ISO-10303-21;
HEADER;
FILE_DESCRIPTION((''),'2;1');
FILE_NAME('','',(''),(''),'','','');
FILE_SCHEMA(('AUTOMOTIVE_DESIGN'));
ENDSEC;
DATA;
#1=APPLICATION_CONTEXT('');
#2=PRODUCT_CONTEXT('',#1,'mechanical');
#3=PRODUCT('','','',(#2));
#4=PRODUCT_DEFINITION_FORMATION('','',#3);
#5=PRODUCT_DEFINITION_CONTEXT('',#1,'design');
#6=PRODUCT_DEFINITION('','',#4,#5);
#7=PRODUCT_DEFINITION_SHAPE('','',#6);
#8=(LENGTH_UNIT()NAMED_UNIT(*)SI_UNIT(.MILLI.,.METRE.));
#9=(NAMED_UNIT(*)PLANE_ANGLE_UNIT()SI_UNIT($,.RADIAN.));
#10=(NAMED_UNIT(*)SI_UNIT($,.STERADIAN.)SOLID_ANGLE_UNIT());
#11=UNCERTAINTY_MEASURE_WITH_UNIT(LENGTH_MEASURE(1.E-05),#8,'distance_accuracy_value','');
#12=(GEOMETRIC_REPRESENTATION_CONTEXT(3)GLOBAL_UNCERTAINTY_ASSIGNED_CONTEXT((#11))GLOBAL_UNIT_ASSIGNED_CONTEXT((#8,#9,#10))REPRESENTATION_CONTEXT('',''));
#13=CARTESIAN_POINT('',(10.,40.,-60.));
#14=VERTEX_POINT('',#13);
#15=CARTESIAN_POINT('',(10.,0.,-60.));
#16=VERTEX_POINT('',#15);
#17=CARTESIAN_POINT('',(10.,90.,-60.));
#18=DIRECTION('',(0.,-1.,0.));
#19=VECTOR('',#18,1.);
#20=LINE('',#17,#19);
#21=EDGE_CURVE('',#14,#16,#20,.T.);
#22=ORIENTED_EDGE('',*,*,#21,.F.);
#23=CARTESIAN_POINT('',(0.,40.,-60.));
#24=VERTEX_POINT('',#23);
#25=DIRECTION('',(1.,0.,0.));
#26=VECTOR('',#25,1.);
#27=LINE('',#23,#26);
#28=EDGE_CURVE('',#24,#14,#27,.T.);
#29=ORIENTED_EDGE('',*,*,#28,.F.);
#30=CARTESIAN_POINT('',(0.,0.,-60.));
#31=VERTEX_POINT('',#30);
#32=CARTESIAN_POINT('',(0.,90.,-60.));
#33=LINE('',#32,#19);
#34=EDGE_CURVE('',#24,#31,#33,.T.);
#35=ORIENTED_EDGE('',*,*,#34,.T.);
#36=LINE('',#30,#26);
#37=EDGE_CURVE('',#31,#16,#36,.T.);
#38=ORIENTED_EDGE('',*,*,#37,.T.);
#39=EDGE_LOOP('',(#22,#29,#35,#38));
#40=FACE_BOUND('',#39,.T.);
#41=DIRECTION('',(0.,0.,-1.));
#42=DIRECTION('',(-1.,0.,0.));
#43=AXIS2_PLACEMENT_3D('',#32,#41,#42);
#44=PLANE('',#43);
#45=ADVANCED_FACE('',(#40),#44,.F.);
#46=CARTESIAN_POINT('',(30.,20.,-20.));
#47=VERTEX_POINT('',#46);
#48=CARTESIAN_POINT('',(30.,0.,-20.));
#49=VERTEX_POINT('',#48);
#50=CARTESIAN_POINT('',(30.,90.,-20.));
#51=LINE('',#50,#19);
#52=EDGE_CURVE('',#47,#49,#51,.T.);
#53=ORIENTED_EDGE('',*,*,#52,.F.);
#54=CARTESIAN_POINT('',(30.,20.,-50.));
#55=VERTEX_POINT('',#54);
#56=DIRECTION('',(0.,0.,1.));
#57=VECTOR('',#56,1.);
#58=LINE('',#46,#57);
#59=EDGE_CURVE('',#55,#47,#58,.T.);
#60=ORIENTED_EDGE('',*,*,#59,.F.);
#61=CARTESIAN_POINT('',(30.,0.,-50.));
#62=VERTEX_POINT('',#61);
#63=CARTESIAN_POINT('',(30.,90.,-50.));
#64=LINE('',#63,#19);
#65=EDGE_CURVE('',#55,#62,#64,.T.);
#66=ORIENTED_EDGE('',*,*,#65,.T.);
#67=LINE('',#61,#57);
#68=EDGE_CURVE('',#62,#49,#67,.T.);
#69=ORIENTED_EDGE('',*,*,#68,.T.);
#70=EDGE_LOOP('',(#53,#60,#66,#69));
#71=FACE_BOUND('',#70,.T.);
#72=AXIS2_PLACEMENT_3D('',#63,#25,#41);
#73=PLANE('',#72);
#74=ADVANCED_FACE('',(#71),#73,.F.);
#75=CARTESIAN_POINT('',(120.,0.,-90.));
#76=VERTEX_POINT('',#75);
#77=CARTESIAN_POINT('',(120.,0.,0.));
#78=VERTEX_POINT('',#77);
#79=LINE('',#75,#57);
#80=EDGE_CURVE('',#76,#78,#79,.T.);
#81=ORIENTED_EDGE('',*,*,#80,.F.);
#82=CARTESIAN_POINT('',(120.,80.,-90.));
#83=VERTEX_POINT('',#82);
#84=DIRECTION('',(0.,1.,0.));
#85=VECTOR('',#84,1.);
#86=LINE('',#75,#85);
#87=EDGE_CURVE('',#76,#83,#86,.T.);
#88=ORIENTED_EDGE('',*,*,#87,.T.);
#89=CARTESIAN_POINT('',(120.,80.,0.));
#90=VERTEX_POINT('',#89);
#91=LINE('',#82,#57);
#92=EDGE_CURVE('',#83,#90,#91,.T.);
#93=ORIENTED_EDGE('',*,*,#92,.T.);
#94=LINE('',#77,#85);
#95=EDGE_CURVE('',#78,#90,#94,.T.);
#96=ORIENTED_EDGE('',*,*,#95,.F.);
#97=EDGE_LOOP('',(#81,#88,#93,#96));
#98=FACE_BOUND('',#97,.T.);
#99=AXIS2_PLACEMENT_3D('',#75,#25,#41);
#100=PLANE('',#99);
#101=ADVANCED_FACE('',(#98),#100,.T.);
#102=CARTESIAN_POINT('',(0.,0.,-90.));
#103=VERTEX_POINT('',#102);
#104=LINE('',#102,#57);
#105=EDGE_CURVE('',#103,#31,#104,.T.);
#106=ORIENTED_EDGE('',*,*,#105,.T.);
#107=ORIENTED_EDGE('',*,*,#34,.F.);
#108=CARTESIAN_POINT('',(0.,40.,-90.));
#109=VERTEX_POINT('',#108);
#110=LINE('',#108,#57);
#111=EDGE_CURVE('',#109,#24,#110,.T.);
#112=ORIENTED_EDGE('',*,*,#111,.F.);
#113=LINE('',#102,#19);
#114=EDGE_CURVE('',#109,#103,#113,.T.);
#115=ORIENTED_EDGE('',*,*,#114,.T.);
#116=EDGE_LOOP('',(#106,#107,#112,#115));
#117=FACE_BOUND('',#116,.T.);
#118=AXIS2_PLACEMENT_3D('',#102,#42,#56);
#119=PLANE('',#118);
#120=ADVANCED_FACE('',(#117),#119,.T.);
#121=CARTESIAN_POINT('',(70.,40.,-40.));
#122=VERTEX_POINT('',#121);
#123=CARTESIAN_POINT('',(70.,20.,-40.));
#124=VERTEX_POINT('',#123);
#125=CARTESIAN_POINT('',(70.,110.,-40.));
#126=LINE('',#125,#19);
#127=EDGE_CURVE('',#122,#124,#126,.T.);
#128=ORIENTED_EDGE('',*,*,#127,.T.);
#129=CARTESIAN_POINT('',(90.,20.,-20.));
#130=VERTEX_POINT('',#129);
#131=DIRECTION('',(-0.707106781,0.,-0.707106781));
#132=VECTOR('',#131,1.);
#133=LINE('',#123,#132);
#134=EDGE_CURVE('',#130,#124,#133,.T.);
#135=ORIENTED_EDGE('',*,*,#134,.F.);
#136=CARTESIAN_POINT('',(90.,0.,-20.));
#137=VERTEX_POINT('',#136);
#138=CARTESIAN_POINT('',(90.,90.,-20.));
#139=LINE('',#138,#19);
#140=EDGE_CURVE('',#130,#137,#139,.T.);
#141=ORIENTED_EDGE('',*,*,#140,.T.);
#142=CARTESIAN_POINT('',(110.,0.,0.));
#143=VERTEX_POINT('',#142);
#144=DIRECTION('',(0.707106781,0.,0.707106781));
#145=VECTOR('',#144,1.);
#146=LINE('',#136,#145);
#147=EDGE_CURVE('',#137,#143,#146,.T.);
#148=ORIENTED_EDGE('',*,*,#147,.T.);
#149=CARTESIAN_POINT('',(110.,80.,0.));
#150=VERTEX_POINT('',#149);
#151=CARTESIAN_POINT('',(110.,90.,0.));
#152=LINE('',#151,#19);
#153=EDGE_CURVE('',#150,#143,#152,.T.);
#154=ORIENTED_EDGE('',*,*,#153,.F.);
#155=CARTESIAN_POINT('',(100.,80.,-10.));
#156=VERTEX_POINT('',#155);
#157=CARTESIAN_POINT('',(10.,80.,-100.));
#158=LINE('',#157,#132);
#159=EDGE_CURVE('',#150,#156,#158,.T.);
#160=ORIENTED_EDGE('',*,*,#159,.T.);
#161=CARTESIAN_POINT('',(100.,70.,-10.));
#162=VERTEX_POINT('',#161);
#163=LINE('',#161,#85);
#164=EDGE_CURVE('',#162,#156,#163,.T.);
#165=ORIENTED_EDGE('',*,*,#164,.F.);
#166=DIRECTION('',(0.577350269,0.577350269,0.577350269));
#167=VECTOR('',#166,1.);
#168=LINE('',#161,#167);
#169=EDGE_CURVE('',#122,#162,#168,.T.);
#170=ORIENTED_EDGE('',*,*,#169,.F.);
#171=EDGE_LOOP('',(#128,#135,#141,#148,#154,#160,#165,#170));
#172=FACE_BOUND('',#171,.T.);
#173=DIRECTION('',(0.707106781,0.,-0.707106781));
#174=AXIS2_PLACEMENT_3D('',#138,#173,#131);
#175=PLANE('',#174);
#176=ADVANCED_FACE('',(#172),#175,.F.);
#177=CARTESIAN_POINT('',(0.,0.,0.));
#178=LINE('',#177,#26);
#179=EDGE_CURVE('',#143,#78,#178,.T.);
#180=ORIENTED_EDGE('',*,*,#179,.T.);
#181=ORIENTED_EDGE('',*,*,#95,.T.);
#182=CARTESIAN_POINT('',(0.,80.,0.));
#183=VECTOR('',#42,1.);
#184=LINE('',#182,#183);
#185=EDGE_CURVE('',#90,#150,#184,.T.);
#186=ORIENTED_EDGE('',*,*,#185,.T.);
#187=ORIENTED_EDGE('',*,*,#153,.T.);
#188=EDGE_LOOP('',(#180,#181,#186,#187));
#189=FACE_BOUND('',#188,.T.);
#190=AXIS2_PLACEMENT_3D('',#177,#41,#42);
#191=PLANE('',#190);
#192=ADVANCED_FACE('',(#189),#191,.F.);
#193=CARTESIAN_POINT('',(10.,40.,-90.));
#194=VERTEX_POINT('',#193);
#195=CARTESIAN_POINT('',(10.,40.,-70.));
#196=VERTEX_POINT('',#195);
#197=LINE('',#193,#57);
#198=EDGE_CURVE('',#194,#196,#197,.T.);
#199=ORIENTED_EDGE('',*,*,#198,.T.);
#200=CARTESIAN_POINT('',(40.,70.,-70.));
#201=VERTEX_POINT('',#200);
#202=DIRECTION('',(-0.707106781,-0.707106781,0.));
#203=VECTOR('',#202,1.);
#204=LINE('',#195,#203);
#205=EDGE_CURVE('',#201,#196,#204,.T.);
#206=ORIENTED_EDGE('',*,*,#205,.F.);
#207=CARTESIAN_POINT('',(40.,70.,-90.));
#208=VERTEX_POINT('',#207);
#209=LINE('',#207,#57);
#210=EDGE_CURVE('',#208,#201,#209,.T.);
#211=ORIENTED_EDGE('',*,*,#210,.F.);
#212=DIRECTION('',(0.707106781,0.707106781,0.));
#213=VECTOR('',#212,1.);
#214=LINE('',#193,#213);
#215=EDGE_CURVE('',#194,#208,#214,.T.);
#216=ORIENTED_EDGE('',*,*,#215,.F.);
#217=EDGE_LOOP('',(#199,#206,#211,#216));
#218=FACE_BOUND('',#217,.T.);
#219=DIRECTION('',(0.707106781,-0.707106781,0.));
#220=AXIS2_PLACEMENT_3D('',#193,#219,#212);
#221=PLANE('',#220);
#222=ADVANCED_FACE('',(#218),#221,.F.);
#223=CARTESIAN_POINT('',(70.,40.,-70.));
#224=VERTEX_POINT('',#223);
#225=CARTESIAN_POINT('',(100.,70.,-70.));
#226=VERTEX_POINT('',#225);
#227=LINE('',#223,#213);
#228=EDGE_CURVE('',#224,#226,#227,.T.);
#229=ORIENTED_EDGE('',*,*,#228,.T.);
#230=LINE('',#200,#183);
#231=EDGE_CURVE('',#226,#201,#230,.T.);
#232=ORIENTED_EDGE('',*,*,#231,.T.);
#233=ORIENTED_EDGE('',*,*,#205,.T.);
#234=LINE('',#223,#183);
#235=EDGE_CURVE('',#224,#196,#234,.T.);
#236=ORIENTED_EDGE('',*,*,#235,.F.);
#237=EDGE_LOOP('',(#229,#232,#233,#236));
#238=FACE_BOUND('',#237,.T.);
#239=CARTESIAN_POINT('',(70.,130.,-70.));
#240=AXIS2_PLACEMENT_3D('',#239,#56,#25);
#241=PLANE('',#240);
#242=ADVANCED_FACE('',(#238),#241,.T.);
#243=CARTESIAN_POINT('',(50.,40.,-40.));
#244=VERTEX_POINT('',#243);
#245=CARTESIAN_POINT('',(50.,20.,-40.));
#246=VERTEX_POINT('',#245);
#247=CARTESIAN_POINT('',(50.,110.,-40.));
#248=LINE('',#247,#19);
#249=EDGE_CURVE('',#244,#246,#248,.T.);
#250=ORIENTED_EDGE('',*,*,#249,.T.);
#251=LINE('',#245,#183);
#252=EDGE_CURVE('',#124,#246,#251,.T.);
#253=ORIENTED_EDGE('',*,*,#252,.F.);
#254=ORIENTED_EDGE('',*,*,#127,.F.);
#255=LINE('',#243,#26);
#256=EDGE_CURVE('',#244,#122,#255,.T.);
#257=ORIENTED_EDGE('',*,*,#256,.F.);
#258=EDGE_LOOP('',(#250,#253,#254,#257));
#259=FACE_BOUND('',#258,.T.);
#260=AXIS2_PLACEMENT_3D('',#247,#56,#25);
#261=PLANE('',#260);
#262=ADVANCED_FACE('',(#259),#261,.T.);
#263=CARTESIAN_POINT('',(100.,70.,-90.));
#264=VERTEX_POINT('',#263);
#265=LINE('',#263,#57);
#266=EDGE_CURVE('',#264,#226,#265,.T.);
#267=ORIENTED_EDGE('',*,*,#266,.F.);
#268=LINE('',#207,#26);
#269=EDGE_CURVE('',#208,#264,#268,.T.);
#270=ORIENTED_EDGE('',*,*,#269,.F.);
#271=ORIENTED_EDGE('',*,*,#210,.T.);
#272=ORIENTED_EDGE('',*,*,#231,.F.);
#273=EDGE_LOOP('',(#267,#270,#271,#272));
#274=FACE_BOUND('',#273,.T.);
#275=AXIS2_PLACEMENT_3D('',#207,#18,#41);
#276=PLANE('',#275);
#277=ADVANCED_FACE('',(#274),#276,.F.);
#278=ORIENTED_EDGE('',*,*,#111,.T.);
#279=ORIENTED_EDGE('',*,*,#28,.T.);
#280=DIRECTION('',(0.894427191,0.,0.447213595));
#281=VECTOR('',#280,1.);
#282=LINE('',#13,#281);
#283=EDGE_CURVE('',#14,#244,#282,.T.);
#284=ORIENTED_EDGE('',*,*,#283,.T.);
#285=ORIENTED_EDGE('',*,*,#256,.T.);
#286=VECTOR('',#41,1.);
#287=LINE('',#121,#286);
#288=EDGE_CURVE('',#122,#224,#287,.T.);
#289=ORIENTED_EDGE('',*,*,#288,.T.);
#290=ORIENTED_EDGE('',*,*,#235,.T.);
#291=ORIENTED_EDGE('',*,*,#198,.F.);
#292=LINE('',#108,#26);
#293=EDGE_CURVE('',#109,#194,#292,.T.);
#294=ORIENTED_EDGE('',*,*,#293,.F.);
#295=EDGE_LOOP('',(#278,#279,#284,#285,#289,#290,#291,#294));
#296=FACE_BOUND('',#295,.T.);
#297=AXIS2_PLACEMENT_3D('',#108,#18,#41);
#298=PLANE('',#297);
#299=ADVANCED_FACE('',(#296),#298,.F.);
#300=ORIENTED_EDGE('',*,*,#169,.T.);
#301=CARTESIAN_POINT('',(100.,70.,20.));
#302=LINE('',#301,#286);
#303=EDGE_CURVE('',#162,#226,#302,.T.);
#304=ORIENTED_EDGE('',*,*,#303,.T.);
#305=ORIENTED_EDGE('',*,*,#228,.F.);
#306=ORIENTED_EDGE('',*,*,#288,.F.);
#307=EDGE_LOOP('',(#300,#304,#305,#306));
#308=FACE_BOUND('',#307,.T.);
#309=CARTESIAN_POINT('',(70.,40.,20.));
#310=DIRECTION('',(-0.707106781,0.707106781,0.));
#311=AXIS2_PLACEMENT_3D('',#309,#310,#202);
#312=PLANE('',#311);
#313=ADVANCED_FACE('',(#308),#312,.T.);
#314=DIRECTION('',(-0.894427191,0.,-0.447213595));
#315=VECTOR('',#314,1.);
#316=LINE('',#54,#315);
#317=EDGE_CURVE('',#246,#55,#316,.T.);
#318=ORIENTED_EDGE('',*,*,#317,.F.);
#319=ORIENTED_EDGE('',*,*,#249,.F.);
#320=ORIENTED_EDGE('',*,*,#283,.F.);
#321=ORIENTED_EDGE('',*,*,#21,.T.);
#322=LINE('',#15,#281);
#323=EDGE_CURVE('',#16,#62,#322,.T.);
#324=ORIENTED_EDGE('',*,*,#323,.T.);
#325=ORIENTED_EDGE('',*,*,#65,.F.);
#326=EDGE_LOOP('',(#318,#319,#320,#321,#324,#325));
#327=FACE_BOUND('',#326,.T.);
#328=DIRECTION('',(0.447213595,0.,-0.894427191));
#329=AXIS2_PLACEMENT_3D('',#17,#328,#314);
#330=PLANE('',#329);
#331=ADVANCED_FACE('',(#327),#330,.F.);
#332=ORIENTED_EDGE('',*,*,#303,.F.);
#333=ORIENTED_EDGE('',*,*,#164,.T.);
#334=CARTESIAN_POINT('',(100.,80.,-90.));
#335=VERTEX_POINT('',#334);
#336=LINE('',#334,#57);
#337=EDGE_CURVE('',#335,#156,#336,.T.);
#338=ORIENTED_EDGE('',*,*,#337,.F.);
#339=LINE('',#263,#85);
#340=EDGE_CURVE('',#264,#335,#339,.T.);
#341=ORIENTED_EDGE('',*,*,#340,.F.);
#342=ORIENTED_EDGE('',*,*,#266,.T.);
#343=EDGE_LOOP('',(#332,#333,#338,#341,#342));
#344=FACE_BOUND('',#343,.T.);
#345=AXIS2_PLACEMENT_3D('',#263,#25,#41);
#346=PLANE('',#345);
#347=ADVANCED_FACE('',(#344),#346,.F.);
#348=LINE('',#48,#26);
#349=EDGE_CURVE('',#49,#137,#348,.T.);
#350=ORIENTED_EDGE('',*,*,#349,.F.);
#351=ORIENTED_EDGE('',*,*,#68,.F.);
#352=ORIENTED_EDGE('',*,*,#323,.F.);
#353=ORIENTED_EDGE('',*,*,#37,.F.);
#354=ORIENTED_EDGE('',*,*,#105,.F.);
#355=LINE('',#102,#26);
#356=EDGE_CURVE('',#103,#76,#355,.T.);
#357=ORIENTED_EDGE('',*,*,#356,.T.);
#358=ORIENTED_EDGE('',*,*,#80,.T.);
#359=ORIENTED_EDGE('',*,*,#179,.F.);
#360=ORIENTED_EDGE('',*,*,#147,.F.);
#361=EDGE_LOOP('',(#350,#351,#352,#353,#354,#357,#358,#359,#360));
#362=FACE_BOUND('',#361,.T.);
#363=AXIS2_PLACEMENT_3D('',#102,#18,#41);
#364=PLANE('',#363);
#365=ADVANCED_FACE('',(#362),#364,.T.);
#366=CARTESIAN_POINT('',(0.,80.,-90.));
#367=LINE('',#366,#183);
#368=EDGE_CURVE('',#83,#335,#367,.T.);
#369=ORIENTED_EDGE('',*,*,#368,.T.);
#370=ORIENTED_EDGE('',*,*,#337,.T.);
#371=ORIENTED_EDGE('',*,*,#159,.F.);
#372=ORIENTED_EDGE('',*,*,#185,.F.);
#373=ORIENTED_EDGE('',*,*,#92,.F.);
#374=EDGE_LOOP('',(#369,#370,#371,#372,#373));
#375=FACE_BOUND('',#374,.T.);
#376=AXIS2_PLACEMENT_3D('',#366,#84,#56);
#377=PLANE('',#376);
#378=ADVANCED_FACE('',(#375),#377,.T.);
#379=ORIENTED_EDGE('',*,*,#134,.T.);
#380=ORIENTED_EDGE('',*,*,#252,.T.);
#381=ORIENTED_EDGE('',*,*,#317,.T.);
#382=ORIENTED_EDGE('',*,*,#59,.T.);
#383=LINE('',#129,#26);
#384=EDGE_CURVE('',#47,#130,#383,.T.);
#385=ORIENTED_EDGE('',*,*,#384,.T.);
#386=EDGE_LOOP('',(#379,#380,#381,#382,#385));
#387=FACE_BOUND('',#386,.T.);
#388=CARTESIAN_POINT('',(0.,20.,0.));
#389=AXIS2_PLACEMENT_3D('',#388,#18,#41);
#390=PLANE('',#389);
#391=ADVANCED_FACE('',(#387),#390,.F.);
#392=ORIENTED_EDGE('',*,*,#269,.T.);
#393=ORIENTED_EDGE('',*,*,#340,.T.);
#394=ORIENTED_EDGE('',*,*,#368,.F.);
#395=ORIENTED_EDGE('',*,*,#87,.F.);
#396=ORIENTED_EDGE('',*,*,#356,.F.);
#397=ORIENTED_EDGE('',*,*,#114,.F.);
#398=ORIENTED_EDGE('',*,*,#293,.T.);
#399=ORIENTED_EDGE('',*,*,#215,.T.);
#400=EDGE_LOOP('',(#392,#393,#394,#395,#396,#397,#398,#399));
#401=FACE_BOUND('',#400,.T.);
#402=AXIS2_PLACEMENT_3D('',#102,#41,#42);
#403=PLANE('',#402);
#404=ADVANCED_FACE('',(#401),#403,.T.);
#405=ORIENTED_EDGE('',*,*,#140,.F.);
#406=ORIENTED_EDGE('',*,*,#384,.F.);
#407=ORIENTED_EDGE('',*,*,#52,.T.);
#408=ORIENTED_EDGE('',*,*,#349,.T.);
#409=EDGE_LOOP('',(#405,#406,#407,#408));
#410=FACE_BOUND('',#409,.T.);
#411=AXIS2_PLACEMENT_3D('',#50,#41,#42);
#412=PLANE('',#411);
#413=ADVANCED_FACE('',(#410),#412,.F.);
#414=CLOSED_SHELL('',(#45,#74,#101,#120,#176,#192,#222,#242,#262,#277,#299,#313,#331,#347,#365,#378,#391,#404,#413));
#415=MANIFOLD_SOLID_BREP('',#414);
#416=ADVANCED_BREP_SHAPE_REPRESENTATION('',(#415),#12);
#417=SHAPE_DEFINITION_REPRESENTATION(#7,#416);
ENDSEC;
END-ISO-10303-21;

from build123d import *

# Parameters (mm, degrees)
SKETCH1_W           = 120
SKETCH1_H           = 80
BOSS_EXTRUDE1_DEPTH = 90
CUT_EXTRUDE1_DEPTH  = 90
CUT_EXTRUDE2_DEPTH  = 90
CUT_EXTRUDE3_DEPTH  = 90
CUT_EXTRUDE4_DEPTH  = 90
CUT_EXTRUDE5_DEPTH  = 90


with BuildPart() as part:
    # Sketch1 → Boss-Extrude1 (new body)
    with BuildSketch(Plane.XY):
        with Locations((60, 40)):
            Rectangle(SKETCH1_W, SKETCH1_H)
    extrude(amount=-BOSS_EXTRUDE1_DEPTH)

    # Sketch2 → Cut-Extrude1 (cut)
    with BuildSketch(Plane.XY):
        Polygon((0, 40), (10, 40), (40, 70), (100, 70), (100, 80), (0, 80), align=None)
    extrude(amount=-CUT_EXTRUDE1_DEPTH, mode=Mode.SUBTRACT)

    # Sketch3 → Cut-Extrude2 (cut)
    with BuildSketch(Plane.XZ):
        Polygon((0, -60), (10, -60), (30, -50), (30, -20), (90, -20), (110, 0), (0, 0), align=None)
    extrude(amount=-CUT_EXTRUDE2_DEPTH, mode=Mode.SUBTRACT)

    # Sketch4 → Cut-Extrude3 (cut)
    with BuildSketch(Plane(origin=(0, 20, 0), x_dir=(1, 0, 0), z_dir=(0, 1, 0))):
        Polygon((30, 20), (30, 50), (50, 40), (70, 40), (90, 20), align=None)
    extrude(amount=CUT_EXTRUDE3_DEPTH, mode=Mode.SUBTRACT)

    # Sketch5 → Cut-Extrude4 (cut)
    with BuildSketch(Plane(origin=(0, 40, 0), x_dir=(1, 0, 0), z_dir=(0, 1, 0))):
        Polygon((70, 40), (70, 70), (10, 70), (10, 60), (50, 40), align=None)
    extrude(amount=CUT_EXTRUDE4_DEPTH, mode=Mode.SUBTRACT)

    # Sketch6 → Cut-Extrude5 (cut)
    with BuildSketch(Plane.XY.offset(-70)):
        Polygon((70, 40), (100, 70), (70, 70), align=None)
    extrude(amount=CUT_EXTRUDE5_DEPTH, mode=Mode.SUBTRACT)


solid = part.part
